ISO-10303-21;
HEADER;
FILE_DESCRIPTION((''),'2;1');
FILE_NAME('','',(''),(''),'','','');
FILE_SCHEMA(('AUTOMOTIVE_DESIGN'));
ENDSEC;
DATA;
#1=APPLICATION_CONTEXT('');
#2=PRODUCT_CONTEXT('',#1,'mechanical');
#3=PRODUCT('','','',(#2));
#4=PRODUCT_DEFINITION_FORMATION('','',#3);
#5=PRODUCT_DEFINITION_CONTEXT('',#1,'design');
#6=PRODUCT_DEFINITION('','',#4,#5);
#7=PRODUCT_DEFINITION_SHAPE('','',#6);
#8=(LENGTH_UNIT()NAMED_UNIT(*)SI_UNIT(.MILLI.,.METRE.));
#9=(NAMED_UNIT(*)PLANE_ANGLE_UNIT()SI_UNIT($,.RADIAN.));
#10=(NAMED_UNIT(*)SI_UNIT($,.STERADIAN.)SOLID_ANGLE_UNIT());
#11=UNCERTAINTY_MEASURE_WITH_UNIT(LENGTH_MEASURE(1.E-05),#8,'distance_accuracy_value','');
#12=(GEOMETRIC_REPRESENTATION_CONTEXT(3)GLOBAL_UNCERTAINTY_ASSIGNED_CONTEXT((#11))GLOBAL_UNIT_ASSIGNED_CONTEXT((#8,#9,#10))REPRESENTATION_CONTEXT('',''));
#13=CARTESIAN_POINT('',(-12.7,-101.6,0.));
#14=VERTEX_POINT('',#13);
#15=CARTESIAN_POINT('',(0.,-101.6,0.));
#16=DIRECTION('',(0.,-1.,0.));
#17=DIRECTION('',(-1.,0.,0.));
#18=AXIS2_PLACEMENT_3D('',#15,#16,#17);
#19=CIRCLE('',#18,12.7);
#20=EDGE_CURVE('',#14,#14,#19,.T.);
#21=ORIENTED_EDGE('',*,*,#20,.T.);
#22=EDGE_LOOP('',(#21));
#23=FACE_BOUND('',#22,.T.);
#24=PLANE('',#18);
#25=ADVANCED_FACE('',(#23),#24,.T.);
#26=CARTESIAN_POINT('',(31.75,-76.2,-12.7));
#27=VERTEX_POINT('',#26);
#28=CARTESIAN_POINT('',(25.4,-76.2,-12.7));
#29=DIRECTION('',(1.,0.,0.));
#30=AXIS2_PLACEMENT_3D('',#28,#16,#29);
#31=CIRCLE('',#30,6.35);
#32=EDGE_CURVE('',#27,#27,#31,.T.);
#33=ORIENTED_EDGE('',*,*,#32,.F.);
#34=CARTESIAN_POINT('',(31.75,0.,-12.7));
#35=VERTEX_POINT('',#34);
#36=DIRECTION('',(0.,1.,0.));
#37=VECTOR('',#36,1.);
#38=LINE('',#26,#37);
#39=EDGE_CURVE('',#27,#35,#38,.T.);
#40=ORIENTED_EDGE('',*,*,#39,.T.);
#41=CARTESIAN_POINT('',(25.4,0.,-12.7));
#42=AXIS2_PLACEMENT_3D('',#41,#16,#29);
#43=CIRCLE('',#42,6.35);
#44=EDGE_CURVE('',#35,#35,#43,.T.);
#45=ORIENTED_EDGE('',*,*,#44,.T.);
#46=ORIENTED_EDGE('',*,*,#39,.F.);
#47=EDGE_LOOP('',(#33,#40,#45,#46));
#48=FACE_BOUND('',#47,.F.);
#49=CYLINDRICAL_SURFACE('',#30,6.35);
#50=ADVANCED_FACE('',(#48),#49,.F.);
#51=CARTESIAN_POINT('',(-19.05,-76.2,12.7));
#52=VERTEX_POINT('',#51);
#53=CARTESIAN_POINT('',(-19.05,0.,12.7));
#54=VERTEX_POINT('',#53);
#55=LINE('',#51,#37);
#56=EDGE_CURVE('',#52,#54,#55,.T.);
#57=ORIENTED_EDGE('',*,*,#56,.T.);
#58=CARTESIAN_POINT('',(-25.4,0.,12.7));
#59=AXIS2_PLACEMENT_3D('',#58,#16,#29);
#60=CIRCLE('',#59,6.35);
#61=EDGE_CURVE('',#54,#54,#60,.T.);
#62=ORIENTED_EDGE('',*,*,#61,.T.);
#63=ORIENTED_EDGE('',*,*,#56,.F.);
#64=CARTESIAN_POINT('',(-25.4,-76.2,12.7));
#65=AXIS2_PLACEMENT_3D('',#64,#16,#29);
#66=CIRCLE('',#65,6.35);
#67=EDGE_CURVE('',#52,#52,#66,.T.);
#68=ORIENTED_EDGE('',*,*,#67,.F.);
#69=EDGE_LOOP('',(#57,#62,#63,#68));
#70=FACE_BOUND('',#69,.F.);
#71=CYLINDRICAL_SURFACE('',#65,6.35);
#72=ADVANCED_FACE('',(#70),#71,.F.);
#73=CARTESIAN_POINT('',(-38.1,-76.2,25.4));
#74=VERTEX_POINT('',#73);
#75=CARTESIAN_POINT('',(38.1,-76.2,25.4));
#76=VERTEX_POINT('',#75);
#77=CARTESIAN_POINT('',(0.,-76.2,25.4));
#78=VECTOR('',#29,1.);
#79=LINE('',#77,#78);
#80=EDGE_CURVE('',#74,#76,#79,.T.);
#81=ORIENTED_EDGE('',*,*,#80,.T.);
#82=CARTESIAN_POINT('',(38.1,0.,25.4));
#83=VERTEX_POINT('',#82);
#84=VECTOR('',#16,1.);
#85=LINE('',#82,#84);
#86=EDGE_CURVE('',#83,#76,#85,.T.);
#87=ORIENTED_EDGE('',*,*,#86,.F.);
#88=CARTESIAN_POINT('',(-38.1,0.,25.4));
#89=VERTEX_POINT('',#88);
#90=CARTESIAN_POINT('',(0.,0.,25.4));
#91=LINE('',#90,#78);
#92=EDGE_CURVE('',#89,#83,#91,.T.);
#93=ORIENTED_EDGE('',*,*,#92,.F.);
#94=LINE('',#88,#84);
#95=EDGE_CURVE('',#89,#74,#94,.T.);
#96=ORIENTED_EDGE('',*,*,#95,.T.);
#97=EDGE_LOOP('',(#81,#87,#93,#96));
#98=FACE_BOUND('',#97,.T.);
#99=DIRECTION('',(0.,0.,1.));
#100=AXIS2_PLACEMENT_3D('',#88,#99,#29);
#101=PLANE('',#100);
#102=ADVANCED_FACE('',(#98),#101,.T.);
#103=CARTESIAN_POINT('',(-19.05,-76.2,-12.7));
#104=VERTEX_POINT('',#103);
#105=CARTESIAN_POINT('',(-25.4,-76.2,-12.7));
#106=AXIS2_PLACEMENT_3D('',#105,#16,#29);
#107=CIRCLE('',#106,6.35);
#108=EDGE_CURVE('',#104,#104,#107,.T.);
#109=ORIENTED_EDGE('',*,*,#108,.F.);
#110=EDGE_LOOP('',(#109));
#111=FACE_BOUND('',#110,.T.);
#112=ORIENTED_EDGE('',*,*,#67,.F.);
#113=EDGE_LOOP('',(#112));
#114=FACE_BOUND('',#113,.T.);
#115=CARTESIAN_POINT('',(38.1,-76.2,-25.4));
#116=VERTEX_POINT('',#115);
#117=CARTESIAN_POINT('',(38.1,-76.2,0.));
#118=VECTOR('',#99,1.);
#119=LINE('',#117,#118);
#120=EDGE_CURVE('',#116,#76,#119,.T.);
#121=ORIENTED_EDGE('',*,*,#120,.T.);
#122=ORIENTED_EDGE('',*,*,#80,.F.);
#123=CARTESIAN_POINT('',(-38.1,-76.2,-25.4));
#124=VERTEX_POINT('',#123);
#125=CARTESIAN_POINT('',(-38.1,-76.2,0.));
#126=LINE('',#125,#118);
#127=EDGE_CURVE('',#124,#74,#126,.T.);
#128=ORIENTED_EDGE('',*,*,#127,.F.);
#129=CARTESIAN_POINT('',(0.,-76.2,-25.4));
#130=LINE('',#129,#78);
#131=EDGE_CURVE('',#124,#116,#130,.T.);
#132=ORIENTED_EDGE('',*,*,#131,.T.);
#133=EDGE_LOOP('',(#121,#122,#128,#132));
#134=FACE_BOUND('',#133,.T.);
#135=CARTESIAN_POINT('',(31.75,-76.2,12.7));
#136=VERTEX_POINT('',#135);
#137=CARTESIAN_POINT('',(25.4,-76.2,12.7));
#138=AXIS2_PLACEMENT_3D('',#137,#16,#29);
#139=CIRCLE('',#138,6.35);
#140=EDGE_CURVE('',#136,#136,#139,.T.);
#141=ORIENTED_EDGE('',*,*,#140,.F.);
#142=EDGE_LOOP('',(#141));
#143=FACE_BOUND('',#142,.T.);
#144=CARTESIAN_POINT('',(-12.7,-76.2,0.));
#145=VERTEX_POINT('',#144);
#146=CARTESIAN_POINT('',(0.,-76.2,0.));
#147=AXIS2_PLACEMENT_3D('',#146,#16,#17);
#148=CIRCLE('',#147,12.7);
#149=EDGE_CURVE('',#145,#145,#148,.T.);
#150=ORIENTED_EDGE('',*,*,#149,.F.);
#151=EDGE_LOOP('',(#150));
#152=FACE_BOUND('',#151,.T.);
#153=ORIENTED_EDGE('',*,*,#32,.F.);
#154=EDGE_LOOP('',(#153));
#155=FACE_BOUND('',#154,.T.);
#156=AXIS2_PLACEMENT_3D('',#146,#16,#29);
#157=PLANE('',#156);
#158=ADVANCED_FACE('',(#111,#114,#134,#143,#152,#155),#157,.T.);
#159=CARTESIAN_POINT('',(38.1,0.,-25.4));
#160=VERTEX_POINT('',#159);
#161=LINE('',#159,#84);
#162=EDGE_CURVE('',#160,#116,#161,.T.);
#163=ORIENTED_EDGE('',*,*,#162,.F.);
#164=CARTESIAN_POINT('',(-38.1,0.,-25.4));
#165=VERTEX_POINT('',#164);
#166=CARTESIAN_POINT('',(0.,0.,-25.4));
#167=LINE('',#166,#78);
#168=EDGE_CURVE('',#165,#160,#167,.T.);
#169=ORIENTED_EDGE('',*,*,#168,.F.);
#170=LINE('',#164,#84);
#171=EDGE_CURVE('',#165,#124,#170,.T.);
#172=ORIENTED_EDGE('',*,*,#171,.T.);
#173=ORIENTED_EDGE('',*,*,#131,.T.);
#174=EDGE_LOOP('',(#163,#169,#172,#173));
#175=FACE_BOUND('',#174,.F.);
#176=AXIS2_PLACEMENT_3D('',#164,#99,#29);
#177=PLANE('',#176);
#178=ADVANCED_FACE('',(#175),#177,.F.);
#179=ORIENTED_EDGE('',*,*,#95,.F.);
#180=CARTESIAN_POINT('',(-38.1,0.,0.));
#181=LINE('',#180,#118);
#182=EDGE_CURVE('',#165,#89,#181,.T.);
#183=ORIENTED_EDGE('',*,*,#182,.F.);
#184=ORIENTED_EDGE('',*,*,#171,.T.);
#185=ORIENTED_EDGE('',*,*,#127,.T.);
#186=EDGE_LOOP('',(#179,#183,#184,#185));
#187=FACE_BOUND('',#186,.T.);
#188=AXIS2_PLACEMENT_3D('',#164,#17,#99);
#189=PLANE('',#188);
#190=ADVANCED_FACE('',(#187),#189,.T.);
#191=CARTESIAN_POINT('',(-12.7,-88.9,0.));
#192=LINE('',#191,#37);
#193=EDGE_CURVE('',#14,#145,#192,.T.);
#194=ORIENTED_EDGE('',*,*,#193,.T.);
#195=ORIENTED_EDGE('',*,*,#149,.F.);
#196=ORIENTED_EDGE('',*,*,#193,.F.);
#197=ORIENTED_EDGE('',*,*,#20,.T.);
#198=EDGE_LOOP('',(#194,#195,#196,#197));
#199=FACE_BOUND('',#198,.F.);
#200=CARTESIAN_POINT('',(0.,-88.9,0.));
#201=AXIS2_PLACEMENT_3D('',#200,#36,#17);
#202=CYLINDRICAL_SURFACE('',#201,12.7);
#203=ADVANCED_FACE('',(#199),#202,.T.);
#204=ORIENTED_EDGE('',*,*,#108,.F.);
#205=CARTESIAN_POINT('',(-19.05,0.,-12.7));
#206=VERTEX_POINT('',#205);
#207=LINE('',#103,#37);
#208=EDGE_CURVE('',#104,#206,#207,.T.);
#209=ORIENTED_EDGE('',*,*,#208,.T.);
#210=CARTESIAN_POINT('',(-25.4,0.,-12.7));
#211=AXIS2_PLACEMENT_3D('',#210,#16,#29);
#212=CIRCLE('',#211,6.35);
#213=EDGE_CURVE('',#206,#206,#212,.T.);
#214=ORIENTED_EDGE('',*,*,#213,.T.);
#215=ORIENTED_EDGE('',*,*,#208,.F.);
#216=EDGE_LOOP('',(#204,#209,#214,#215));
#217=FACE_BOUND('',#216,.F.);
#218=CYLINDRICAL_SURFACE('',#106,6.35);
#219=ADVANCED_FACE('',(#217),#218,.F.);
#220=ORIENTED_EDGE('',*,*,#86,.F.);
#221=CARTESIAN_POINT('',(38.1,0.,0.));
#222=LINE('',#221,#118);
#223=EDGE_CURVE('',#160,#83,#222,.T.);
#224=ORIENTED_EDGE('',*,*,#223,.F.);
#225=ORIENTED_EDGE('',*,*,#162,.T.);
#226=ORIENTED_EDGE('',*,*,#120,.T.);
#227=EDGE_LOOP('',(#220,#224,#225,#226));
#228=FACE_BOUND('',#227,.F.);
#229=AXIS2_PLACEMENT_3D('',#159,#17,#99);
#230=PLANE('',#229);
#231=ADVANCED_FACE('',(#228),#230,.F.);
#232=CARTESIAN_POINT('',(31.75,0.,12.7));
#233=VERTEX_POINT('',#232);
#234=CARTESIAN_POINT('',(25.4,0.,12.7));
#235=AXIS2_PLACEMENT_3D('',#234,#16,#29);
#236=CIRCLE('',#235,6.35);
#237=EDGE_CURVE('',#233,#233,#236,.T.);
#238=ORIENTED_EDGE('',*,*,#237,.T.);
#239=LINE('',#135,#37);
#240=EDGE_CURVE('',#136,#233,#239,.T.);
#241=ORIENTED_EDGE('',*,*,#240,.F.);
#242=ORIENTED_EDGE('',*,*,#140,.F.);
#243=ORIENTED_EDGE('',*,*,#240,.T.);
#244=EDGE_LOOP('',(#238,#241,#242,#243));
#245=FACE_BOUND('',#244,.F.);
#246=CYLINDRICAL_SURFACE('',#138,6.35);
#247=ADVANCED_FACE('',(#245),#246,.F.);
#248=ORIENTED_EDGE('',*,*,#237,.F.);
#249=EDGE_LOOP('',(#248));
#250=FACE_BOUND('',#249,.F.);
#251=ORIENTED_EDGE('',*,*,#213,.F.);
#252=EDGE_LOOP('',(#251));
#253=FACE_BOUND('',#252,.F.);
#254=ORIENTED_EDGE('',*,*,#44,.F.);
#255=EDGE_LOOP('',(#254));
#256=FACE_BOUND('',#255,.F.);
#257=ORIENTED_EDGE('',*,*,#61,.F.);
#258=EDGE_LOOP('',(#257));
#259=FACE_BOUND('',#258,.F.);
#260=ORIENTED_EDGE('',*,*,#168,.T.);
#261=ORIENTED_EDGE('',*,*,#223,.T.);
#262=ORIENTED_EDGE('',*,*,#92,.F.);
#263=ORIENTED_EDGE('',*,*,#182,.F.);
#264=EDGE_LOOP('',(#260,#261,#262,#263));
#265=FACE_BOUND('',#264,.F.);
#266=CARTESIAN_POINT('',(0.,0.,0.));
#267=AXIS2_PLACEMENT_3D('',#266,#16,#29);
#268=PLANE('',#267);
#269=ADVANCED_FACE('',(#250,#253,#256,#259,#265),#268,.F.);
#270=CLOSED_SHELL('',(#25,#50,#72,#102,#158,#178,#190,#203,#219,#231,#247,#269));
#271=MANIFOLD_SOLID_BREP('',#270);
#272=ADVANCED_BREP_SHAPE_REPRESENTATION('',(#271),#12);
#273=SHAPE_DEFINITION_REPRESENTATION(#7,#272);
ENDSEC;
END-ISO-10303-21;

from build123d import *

# Parameters (mm, degrees)
F0_W     = 76.2
F0_H     = 50.8
F1_DEPTH = 76.2
F2_R     = 6.35
F3_DEPTH = 76.201
F4_W     = 12.7
F4_H     = 25.4


with BuildPart() as f1:
    # F0 (on Front) → F1 (new body)
    with BuildSketch(Plane.XZ):
        Rectangle(F0_W, F0_H)
    extrude(amount=F1_DEPTH)

    # F2 (on face) → F3 (cut, through all)
    with BuildSketch(Plane.XZ.offset(76.2)):
        with Locations((-25.4, 12.7)):
            Circle(F2_R)
        with Locations((-25.4, -12.7)):
            Circle(F2_R)
        with Locations((25.4, 12.7)):
            Circle(F2_R)
        with Locations((25.4, -12.7)):
            Circle(F2_R)
    extrude(amount=-F3_DEPTH, mode=Mode.SUBTRACT)

    # F4 (on Top) → F5 (revolve)
    with BuildSketch(Plane.XY):
        with Locations((-6.35, -88.9)):
            Rectangle(F4_W, F4_H)
    revolve(axis=Axis((0, -88.9, 0), (0, -1, 0)))


solid = f1.part
